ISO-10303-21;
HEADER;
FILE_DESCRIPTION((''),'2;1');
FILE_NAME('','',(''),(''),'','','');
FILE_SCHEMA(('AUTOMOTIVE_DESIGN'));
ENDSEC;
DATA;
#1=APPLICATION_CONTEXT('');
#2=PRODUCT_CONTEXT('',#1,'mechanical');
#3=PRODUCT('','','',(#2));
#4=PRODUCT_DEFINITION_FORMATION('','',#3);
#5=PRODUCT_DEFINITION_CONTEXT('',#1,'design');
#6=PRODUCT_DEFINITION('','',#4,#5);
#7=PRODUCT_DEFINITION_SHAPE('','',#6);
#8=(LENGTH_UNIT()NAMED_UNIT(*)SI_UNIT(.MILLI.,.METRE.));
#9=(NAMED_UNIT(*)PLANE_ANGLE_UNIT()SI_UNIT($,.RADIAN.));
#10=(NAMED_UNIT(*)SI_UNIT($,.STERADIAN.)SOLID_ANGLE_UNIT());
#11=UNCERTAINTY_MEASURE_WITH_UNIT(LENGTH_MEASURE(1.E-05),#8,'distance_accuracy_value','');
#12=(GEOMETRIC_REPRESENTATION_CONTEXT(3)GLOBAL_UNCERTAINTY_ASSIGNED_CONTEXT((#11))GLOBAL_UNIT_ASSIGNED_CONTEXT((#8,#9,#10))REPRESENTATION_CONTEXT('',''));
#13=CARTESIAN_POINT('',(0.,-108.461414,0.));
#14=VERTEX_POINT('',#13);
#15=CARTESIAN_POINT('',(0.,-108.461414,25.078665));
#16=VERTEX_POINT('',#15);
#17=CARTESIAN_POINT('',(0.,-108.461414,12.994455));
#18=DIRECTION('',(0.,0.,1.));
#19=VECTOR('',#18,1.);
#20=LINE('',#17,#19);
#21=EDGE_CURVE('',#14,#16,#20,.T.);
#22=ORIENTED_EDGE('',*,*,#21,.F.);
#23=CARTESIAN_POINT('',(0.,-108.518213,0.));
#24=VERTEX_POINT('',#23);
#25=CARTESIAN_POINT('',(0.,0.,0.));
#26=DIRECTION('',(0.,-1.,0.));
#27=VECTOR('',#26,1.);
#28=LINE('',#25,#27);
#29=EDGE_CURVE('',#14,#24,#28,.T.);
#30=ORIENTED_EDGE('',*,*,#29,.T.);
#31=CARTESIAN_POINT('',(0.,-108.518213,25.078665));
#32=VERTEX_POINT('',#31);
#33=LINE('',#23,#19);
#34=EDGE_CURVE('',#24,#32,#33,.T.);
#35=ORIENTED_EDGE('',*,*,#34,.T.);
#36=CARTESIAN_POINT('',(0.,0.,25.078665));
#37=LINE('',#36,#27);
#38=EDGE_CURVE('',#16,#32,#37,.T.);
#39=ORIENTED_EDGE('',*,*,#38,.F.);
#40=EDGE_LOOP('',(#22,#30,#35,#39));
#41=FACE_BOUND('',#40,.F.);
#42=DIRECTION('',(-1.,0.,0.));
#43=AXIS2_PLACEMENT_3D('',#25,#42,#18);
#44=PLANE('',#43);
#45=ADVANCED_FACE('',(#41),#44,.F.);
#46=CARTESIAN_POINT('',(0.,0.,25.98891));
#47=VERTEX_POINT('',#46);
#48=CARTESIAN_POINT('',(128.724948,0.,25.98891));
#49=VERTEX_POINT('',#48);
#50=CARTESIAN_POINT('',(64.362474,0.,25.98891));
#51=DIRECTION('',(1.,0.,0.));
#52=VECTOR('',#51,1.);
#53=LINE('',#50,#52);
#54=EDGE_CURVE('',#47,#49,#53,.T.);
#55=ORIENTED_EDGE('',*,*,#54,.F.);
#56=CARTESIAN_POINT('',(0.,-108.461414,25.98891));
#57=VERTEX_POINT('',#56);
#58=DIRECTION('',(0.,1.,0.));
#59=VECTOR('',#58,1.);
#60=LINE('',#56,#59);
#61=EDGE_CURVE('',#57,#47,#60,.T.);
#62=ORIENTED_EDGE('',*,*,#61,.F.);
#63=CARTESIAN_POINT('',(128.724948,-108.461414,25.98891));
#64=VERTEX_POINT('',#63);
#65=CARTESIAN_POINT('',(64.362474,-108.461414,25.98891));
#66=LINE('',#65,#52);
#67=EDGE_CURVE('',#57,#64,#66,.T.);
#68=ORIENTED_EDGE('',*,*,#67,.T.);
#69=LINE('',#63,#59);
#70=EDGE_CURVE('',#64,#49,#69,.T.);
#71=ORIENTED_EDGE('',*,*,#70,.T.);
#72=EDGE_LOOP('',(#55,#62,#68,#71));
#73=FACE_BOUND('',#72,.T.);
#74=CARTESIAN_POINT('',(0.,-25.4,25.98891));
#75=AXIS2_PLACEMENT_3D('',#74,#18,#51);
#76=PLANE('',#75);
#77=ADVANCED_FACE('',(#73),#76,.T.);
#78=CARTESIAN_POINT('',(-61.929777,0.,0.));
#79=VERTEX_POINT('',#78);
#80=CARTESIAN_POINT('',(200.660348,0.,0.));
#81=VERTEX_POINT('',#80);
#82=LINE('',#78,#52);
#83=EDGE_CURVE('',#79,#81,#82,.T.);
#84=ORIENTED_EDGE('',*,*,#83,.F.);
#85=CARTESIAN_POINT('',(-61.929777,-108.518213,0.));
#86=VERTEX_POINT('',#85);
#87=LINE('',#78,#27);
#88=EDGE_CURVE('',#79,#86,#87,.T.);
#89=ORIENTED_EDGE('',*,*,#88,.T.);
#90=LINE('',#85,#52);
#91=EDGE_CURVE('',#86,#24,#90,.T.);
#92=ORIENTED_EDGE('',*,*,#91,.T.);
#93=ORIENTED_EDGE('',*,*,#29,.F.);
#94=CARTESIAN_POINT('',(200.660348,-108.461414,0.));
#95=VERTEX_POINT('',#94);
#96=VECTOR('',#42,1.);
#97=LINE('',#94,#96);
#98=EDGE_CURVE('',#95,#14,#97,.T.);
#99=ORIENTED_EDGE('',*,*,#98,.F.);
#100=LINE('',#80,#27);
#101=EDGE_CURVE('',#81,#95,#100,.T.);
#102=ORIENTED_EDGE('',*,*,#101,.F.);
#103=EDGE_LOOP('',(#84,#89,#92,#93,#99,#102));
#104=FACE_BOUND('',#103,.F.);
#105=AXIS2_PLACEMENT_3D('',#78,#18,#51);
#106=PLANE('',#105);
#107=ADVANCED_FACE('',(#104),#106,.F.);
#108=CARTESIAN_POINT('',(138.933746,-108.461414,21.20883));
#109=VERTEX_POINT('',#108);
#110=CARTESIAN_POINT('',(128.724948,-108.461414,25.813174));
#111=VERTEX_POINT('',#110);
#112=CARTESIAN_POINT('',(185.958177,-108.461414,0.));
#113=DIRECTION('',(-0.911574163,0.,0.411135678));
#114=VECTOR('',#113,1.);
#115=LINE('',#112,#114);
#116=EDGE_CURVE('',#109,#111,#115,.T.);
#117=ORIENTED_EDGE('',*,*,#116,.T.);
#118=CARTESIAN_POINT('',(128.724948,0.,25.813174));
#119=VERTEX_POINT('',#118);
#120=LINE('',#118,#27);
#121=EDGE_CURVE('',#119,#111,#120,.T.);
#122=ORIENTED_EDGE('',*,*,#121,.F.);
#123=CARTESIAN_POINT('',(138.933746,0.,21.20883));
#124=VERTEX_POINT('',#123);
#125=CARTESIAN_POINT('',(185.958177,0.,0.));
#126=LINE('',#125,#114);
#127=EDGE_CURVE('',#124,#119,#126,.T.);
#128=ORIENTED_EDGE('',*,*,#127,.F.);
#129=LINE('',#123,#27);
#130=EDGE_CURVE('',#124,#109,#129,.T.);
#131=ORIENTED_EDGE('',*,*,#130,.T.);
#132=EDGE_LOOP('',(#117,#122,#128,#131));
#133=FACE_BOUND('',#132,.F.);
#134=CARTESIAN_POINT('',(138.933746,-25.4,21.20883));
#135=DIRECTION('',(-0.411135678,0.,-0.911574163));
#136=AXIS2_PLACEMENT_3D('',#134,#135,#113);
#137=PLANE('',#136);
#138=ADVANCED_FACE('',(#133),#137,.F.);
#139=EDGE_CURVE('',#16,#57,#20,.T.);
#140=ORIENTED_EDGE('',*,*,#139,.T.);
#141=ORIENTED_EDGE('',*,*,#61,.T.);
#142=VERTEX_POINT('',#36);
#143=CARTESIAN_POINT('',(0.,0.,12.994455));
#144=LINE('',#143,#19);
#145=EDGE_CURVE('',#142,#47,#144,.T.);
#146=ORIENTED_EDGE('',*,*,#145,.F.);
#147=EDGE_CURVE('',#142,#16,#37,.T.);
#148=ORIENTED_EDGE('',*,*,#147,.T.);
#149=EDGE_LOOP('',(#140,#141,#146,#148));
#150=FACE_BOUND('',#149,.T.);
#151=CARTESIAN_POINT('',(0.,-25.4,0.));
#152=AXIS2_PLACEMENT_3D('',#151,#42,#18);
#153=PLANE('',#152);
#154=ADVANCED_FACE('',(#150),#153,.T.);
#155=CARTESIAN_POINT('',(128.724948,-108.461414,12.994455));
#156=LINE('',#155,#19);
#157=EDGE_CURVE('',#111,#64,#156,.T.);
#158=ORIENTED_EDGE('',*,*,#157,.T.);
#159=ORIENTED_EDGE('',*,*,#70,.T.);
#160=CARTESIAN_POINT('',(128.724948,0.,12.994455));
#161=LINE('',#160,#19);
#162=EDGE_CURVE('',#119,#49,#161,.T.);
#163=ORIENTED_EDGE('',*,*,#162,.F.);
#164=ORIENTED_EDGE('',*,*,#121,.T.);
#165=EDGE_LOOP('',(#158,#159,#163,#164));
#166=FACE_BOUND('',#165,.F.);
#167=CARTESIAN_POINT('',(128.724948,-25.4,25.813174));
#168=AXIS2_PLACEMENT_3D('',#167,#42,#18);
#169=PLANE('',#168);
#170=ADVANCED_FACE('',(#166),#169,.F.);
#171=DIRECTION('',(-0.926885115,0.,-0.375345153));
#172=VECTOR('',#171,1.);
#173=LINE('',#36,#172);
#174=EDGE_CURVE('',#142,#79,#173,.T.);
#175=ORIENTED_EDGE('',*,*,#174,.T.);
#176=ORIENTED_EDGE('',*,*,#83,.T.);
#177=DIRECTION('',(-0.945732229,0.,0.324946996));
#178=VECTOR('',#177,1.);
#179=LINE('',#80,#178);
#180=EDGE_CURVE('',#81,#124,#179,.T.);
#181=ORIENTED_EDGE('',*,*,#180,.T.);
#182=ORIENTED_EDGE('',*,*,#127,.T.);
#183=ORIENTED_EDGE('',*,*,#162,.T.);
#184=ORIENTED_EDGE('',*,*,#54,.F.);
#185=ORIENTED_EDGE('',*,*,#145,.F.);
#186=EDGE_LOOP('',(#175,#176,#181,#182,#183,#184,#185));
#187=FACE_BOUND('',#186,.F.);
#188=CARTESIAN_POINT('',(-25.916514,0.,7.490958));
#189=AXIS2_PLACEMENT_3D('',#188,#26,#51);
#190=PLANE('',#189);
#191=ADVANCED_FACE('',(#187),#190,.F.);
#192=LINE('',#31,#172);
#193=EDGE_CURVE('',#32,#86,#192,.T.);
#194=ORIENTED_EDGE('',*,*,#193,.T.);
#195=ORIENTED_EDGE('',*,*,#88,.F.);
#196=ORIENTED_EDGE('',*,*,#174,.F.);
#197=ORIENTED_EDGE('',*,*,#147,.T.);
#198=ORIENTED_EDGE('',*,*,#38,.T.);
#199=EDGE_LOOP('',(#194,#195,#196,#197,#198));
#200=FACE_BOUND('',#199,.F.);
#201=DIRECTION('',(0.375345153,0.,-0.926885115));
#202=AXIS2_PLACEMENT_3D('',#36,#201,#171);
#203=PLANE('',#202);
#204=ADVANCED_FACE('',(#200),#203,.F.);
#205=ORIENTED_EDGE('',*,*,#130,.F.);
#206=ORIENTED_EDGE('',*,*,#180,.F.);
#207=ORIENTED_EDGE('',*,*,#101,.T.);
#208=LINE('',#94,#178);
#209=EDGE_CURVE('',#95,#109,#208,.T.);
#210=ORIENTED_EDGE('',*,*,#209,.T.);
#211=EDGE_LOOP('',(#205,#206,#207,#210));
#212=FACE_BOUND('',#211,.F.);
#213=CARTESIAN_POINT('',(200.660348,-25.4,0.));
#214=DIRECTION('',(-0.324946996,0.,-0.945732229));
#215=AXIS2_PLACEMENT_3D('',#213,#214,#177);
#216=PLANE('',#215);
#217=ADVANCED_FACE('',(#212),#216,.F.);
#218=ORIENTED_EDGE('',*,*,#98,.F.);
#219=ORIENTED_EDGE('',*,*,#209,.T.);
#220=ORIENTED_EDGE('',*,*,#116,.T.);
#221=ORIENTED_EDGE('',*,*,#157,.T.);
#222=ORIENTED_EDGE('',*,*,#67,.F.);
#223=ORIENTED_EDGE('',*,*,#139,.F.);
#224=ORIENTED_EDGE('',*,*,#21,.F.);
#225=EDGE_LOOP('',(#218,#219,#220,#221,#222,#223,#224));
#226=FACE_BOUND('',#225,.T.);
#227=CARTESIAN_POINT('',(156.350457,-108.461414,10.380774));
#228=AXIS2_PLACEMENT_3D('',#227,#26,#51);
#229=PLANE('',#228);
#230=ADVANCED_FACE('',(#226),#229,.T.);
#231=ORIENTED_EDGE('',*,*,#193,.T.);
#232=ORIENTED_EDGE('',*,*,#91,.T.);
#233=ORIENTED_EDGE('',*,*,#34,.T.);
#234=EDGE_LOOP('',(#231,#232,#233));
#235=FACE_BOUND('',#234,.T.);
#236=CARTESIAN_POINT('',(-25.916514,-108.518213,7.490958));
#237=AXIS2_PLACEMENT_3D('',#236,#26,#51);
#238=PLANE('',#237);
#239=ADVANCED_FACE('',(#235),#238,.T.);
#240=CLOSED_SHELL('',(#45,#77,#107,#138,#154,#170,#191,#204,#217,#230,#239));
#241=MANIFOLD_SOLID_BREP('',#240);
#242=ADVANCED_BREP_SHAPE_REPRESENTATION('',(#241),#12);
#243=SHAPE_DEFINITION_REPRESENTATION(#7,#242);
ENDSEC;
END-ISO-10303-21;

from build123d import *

# Parameters (mm, degrees)
F0_W      = 128.7249475718
F0_H      = 25.9889103472
F5_DEPTH  = 25.4
F8_DEPTH  = 25.4
F9_DEPTH  = 83.0614138395
F11_DEPTH = 108.5182130337


with BuildPart() as f5:
    # F0 (on Front) → F5 (new body)
    with BuildSketch(Plane.XZ):
        with Locations((64.3624737859, 12.9944551736)):
            Rectangle(F0_W, F0_H)
    extrude(amount=F5_DEPTH)

    # F6 (on Front) + F7 (on face) → F8 (join)
    with BuildSketch(Plane.XZ):
        Polygon((185.9581768513, 0), (128.5665184259, 25.8846282959), (160.3146493435, 0), align=None)
        Polygon((160.3146493435, 0), (128.5665184259, 25.8846282959), (127.9721856117, 0), align=None)
    with BuildSketch(Plane.XZ):
        Polygon((200.6603479385, 0), (138.9337457069, 21.2088298961), (185.9581768513, 0), align=None)
    extrude(amount=F8_DEPTH)

    # F9 (add): a face of the model
    f9_faces = [f5.faces().sort_by_distance(p)[0] for p in [
        (82.97421567, -25.4, 12.0117681363),
    ]]
    extrude(f9_faces, amount=F9_DEPTH)

    # F10 (on Front) → F11 (join)
    with BuildSketch(Plane.XZ):
        Polygon((0, 0), (0, 25.0786654651), (-61.9297772646, 0), align=None)
    extrude(amount=F11_DEPTH)


solid = f5.part
